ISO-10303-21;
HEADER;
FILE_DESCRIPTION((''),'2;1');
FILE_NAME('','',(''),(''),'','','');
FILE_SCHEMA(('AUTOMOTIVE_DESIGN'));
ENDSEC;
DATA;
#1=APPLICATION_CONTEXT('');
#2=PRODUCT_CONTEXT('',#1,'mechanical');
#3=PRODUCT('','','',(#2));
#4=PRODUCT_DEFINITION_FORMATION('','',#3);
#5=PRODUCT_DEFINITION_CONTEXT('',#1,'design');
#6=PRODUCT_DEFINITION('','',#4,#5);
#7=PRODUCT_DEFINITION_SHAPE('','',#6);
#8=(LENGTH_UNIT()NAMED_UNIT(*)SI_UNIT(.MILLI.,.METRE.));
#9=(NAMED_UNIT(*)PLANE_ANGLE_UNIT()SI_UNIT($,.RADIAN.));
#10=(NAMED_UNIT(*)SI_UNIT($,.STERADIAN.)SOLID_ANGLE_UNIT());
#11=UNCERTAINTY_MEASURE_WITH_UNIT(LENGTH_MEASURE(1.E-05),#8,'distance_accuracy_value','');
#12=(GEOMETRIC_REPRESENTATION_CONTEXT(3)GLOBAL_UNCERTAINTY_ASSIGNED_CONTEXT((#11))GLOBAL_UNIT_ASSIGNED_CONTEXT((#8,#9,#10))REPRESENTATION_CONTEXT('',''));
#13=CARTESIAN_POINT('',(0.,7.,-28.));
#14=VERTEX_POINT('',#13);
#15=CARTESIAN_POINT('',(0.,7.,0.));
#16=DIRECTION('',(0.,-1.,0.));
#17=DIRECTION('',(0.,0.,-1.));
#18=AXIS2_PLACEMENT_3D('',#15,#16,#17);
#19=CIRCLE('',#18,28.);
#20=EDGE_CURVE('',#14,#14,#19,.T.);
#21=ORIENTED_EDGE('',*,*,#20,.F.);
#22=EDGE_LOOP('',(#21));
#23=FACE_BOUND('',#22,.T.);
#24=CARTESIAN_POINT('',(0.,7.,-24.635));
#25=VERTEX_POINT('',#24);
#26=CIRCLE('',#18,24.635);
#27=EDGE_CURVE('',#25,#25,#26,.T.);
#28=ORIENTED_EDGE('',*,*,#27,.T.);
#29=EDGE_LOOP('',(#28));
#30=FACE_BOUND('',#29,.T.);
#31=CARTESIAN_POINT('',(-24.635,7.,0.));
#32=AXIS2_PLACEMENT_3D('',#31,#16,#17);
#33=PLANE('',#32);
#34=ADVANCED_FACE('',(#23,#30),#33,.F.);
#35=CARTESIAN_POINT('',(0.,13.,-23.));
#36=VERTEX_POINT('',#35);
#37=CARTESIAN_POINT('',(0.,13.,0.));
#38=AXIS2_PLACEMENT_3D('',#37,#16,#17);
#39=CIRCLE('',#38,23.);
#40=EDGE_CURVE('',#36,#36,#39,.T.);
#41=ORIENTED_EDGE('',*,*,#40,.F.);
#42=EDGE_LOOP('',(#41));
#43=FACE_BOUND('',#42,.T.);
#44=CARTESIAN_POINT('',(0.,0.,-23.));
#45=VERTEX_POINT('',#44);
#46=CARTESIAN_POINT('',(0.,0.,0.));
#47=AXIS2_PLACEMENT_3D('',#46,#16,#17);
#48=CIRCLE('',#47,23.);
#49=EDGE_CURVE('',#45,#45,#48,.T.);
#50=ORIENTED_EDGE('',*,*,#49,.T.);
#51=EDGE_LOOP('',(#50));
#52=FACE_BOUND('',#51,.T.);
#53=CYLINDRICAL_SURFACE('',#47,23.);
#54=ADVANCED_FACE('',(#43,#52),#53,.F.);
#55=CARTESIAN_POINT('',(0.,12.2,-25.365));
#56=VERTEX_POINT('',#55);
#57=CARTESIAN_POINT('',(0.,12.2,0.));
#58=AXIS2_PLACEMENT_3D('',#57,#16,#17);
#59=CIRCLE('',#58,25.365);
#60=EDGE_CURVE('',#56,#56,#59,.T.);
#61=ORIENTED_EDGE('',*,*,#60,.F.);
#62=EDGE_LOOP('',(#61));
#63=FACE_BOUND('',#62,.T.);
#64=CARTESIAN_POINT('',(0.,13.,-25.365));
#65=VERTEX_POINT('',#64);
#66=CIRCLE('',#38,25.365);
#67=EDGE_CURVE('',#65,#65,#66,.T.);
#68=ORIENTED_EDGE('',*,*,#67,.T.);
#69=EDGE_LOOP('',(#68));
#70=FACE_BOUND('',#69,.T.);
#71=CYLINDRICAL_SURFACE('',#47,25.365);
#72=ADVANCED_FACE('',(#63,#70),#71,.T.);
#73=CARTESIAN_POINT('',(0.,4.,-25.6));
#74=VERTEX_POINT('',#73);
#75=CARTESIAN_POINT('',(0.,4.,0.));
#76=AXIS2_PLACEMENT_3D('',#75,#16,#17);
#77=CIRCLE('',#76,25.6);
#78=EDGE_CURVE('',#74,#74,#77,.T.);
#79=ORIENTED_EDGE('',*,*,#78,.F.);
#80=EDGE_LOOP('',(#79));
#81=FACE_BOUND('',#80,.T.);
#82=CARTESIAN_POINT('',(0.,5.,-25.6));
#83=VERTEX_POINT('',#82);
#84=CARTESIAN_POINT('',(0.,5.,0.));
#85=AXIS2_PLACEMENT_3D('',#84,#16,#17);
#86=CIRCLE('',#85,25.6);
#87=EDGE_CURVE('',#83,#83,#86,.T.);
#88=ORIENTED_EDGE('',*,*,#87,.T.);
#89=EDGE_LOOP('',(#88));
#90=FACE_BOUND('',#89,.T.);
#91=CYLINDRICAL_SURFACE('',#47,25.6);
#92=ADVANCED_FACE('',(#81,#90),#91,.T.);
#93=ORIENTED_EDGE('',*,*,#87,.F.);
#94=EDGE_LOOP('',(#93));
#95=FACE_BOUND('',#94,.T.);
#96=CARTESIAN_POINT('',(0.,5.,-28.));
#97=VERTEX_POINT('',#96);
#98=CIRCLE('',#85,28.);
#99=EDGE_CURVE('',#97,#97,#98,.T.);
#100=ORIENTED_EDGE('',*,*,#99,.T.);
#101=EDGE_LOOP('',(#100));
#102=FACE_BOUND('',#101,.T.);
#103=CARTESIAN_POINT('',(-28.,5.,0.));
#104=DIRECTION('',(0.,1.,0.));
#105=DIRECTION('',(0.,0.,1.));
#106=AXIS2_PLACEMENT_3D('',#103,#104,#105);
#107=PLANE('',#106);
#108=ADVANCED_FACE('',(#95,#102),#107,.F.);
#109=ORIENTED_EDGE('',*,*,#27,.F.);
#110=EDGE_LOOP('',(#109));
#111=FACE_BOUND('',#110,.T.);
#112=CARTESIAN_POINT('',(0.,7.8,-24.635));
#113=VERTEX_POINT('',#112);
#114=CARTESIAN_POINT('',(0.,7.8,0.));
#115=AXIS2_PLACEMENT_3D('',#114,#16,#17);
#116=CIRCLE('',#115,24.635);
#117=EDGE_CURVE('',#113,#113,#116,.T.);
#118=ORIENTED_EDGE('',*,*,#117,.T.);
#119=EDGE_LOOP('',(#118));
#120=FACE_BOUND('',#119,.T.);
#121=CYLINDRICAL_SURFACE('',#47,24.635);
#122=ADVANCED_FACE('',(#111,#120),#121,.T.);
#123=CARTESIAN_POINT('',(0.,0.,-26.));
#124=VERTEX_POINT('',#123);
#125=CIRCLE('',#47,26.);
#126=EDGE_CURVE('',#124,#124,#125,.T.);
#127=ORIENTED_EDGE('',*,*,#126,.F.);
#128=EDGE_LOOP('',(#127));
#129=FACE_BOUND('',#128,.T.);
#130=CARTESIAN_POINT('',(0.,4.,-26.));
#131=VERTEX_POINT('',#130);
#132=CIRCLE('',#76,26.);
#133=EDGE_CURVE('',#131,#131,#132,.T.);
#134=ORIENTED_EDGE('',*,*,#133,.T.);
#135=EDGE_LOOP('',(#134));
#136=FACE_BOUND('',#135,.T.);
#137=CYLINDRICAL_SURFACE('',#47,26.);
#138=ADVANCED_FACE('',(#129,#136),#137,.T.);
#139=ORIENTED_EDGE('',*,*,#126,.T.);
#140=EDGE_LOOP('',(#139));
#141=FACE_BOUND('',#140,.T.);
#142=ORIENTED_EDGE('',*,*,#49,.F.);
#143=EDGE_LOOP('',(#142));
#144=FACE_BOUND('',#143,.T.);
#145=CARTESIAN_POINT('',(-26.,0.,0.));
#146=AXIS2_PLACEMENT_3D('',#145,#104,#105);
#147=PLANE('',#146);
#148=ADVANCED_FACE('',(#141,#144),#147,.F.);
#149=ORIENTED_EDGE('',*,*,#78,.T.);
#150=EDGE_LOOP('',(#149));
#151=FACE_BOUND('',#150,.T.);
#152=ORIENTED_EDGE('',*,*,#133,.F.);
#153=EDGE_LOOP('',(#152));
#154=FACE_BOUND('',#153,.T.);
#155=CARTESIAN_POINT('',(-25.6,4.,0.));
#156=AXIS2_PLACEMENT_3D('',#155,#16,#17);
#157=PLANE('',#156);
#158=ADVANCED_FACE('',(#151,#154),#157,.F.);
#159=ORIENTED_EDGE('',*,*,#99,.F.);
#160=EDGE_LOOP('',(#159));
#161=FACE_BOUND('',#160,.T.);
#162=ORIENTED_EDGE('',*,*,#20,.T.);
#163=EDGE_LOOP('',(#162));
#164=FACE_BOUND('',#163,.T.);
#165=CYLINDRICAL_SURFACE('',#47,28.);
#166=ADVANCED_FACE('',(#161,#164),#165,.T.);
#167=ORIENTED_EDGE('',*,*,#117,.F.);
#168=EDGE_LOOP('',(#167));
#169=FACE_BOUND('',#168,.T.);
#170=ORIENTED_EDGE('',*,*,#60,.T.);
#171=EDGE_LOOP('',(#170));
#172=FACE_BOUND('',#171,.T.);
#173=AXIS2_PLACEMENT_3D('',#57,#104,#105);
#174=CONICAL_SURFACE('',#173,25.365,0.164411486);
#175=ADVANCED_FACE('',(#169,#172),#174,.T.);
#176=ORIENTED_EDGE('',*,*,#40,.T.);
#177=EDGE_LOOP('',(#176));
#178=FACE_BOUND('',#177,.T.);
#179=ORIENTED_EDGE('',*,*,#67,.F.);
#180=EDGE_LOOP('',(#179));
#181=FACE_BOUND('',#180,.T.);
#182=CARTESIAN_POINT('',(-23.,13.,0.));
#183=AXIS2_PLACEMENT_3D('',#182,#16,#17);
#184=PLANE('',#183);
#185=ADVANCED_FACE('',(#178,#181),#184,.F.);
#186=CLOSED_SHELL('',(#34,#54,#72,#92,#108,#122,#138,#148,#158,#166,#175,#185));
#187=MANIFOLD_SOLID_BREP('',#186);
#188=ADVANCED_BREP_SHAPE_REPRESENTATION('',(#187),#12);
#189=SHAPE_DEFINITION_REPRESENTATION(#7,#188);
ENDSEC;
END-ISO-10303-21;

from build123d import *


with BuildPart() as part:
    # 草图1 → 旋转1 (revolve)
    with BuildSketch(Plane.XY, mode=Mode.PRIVATE) as revolve_1_sk:
        Polygon((-23, 0), (-23, 13), (-25.365, 13), (-25.365, 12.2), (-24.635, 7.8), (-24.635, 7), (-28, 7), (-28, 5), (-25.6, 5), (-25.6, 4), (-26, 4), (-26, 0), align=None)
    revolve(revolve_1_sk.sketch.rotate(Axis((0, 0, 0), (0, 1, 0)), 270), axis=Axis((0, 0, 0), (0, 1, 0)))  # turned: the seam where the file's is


solid = part.part
